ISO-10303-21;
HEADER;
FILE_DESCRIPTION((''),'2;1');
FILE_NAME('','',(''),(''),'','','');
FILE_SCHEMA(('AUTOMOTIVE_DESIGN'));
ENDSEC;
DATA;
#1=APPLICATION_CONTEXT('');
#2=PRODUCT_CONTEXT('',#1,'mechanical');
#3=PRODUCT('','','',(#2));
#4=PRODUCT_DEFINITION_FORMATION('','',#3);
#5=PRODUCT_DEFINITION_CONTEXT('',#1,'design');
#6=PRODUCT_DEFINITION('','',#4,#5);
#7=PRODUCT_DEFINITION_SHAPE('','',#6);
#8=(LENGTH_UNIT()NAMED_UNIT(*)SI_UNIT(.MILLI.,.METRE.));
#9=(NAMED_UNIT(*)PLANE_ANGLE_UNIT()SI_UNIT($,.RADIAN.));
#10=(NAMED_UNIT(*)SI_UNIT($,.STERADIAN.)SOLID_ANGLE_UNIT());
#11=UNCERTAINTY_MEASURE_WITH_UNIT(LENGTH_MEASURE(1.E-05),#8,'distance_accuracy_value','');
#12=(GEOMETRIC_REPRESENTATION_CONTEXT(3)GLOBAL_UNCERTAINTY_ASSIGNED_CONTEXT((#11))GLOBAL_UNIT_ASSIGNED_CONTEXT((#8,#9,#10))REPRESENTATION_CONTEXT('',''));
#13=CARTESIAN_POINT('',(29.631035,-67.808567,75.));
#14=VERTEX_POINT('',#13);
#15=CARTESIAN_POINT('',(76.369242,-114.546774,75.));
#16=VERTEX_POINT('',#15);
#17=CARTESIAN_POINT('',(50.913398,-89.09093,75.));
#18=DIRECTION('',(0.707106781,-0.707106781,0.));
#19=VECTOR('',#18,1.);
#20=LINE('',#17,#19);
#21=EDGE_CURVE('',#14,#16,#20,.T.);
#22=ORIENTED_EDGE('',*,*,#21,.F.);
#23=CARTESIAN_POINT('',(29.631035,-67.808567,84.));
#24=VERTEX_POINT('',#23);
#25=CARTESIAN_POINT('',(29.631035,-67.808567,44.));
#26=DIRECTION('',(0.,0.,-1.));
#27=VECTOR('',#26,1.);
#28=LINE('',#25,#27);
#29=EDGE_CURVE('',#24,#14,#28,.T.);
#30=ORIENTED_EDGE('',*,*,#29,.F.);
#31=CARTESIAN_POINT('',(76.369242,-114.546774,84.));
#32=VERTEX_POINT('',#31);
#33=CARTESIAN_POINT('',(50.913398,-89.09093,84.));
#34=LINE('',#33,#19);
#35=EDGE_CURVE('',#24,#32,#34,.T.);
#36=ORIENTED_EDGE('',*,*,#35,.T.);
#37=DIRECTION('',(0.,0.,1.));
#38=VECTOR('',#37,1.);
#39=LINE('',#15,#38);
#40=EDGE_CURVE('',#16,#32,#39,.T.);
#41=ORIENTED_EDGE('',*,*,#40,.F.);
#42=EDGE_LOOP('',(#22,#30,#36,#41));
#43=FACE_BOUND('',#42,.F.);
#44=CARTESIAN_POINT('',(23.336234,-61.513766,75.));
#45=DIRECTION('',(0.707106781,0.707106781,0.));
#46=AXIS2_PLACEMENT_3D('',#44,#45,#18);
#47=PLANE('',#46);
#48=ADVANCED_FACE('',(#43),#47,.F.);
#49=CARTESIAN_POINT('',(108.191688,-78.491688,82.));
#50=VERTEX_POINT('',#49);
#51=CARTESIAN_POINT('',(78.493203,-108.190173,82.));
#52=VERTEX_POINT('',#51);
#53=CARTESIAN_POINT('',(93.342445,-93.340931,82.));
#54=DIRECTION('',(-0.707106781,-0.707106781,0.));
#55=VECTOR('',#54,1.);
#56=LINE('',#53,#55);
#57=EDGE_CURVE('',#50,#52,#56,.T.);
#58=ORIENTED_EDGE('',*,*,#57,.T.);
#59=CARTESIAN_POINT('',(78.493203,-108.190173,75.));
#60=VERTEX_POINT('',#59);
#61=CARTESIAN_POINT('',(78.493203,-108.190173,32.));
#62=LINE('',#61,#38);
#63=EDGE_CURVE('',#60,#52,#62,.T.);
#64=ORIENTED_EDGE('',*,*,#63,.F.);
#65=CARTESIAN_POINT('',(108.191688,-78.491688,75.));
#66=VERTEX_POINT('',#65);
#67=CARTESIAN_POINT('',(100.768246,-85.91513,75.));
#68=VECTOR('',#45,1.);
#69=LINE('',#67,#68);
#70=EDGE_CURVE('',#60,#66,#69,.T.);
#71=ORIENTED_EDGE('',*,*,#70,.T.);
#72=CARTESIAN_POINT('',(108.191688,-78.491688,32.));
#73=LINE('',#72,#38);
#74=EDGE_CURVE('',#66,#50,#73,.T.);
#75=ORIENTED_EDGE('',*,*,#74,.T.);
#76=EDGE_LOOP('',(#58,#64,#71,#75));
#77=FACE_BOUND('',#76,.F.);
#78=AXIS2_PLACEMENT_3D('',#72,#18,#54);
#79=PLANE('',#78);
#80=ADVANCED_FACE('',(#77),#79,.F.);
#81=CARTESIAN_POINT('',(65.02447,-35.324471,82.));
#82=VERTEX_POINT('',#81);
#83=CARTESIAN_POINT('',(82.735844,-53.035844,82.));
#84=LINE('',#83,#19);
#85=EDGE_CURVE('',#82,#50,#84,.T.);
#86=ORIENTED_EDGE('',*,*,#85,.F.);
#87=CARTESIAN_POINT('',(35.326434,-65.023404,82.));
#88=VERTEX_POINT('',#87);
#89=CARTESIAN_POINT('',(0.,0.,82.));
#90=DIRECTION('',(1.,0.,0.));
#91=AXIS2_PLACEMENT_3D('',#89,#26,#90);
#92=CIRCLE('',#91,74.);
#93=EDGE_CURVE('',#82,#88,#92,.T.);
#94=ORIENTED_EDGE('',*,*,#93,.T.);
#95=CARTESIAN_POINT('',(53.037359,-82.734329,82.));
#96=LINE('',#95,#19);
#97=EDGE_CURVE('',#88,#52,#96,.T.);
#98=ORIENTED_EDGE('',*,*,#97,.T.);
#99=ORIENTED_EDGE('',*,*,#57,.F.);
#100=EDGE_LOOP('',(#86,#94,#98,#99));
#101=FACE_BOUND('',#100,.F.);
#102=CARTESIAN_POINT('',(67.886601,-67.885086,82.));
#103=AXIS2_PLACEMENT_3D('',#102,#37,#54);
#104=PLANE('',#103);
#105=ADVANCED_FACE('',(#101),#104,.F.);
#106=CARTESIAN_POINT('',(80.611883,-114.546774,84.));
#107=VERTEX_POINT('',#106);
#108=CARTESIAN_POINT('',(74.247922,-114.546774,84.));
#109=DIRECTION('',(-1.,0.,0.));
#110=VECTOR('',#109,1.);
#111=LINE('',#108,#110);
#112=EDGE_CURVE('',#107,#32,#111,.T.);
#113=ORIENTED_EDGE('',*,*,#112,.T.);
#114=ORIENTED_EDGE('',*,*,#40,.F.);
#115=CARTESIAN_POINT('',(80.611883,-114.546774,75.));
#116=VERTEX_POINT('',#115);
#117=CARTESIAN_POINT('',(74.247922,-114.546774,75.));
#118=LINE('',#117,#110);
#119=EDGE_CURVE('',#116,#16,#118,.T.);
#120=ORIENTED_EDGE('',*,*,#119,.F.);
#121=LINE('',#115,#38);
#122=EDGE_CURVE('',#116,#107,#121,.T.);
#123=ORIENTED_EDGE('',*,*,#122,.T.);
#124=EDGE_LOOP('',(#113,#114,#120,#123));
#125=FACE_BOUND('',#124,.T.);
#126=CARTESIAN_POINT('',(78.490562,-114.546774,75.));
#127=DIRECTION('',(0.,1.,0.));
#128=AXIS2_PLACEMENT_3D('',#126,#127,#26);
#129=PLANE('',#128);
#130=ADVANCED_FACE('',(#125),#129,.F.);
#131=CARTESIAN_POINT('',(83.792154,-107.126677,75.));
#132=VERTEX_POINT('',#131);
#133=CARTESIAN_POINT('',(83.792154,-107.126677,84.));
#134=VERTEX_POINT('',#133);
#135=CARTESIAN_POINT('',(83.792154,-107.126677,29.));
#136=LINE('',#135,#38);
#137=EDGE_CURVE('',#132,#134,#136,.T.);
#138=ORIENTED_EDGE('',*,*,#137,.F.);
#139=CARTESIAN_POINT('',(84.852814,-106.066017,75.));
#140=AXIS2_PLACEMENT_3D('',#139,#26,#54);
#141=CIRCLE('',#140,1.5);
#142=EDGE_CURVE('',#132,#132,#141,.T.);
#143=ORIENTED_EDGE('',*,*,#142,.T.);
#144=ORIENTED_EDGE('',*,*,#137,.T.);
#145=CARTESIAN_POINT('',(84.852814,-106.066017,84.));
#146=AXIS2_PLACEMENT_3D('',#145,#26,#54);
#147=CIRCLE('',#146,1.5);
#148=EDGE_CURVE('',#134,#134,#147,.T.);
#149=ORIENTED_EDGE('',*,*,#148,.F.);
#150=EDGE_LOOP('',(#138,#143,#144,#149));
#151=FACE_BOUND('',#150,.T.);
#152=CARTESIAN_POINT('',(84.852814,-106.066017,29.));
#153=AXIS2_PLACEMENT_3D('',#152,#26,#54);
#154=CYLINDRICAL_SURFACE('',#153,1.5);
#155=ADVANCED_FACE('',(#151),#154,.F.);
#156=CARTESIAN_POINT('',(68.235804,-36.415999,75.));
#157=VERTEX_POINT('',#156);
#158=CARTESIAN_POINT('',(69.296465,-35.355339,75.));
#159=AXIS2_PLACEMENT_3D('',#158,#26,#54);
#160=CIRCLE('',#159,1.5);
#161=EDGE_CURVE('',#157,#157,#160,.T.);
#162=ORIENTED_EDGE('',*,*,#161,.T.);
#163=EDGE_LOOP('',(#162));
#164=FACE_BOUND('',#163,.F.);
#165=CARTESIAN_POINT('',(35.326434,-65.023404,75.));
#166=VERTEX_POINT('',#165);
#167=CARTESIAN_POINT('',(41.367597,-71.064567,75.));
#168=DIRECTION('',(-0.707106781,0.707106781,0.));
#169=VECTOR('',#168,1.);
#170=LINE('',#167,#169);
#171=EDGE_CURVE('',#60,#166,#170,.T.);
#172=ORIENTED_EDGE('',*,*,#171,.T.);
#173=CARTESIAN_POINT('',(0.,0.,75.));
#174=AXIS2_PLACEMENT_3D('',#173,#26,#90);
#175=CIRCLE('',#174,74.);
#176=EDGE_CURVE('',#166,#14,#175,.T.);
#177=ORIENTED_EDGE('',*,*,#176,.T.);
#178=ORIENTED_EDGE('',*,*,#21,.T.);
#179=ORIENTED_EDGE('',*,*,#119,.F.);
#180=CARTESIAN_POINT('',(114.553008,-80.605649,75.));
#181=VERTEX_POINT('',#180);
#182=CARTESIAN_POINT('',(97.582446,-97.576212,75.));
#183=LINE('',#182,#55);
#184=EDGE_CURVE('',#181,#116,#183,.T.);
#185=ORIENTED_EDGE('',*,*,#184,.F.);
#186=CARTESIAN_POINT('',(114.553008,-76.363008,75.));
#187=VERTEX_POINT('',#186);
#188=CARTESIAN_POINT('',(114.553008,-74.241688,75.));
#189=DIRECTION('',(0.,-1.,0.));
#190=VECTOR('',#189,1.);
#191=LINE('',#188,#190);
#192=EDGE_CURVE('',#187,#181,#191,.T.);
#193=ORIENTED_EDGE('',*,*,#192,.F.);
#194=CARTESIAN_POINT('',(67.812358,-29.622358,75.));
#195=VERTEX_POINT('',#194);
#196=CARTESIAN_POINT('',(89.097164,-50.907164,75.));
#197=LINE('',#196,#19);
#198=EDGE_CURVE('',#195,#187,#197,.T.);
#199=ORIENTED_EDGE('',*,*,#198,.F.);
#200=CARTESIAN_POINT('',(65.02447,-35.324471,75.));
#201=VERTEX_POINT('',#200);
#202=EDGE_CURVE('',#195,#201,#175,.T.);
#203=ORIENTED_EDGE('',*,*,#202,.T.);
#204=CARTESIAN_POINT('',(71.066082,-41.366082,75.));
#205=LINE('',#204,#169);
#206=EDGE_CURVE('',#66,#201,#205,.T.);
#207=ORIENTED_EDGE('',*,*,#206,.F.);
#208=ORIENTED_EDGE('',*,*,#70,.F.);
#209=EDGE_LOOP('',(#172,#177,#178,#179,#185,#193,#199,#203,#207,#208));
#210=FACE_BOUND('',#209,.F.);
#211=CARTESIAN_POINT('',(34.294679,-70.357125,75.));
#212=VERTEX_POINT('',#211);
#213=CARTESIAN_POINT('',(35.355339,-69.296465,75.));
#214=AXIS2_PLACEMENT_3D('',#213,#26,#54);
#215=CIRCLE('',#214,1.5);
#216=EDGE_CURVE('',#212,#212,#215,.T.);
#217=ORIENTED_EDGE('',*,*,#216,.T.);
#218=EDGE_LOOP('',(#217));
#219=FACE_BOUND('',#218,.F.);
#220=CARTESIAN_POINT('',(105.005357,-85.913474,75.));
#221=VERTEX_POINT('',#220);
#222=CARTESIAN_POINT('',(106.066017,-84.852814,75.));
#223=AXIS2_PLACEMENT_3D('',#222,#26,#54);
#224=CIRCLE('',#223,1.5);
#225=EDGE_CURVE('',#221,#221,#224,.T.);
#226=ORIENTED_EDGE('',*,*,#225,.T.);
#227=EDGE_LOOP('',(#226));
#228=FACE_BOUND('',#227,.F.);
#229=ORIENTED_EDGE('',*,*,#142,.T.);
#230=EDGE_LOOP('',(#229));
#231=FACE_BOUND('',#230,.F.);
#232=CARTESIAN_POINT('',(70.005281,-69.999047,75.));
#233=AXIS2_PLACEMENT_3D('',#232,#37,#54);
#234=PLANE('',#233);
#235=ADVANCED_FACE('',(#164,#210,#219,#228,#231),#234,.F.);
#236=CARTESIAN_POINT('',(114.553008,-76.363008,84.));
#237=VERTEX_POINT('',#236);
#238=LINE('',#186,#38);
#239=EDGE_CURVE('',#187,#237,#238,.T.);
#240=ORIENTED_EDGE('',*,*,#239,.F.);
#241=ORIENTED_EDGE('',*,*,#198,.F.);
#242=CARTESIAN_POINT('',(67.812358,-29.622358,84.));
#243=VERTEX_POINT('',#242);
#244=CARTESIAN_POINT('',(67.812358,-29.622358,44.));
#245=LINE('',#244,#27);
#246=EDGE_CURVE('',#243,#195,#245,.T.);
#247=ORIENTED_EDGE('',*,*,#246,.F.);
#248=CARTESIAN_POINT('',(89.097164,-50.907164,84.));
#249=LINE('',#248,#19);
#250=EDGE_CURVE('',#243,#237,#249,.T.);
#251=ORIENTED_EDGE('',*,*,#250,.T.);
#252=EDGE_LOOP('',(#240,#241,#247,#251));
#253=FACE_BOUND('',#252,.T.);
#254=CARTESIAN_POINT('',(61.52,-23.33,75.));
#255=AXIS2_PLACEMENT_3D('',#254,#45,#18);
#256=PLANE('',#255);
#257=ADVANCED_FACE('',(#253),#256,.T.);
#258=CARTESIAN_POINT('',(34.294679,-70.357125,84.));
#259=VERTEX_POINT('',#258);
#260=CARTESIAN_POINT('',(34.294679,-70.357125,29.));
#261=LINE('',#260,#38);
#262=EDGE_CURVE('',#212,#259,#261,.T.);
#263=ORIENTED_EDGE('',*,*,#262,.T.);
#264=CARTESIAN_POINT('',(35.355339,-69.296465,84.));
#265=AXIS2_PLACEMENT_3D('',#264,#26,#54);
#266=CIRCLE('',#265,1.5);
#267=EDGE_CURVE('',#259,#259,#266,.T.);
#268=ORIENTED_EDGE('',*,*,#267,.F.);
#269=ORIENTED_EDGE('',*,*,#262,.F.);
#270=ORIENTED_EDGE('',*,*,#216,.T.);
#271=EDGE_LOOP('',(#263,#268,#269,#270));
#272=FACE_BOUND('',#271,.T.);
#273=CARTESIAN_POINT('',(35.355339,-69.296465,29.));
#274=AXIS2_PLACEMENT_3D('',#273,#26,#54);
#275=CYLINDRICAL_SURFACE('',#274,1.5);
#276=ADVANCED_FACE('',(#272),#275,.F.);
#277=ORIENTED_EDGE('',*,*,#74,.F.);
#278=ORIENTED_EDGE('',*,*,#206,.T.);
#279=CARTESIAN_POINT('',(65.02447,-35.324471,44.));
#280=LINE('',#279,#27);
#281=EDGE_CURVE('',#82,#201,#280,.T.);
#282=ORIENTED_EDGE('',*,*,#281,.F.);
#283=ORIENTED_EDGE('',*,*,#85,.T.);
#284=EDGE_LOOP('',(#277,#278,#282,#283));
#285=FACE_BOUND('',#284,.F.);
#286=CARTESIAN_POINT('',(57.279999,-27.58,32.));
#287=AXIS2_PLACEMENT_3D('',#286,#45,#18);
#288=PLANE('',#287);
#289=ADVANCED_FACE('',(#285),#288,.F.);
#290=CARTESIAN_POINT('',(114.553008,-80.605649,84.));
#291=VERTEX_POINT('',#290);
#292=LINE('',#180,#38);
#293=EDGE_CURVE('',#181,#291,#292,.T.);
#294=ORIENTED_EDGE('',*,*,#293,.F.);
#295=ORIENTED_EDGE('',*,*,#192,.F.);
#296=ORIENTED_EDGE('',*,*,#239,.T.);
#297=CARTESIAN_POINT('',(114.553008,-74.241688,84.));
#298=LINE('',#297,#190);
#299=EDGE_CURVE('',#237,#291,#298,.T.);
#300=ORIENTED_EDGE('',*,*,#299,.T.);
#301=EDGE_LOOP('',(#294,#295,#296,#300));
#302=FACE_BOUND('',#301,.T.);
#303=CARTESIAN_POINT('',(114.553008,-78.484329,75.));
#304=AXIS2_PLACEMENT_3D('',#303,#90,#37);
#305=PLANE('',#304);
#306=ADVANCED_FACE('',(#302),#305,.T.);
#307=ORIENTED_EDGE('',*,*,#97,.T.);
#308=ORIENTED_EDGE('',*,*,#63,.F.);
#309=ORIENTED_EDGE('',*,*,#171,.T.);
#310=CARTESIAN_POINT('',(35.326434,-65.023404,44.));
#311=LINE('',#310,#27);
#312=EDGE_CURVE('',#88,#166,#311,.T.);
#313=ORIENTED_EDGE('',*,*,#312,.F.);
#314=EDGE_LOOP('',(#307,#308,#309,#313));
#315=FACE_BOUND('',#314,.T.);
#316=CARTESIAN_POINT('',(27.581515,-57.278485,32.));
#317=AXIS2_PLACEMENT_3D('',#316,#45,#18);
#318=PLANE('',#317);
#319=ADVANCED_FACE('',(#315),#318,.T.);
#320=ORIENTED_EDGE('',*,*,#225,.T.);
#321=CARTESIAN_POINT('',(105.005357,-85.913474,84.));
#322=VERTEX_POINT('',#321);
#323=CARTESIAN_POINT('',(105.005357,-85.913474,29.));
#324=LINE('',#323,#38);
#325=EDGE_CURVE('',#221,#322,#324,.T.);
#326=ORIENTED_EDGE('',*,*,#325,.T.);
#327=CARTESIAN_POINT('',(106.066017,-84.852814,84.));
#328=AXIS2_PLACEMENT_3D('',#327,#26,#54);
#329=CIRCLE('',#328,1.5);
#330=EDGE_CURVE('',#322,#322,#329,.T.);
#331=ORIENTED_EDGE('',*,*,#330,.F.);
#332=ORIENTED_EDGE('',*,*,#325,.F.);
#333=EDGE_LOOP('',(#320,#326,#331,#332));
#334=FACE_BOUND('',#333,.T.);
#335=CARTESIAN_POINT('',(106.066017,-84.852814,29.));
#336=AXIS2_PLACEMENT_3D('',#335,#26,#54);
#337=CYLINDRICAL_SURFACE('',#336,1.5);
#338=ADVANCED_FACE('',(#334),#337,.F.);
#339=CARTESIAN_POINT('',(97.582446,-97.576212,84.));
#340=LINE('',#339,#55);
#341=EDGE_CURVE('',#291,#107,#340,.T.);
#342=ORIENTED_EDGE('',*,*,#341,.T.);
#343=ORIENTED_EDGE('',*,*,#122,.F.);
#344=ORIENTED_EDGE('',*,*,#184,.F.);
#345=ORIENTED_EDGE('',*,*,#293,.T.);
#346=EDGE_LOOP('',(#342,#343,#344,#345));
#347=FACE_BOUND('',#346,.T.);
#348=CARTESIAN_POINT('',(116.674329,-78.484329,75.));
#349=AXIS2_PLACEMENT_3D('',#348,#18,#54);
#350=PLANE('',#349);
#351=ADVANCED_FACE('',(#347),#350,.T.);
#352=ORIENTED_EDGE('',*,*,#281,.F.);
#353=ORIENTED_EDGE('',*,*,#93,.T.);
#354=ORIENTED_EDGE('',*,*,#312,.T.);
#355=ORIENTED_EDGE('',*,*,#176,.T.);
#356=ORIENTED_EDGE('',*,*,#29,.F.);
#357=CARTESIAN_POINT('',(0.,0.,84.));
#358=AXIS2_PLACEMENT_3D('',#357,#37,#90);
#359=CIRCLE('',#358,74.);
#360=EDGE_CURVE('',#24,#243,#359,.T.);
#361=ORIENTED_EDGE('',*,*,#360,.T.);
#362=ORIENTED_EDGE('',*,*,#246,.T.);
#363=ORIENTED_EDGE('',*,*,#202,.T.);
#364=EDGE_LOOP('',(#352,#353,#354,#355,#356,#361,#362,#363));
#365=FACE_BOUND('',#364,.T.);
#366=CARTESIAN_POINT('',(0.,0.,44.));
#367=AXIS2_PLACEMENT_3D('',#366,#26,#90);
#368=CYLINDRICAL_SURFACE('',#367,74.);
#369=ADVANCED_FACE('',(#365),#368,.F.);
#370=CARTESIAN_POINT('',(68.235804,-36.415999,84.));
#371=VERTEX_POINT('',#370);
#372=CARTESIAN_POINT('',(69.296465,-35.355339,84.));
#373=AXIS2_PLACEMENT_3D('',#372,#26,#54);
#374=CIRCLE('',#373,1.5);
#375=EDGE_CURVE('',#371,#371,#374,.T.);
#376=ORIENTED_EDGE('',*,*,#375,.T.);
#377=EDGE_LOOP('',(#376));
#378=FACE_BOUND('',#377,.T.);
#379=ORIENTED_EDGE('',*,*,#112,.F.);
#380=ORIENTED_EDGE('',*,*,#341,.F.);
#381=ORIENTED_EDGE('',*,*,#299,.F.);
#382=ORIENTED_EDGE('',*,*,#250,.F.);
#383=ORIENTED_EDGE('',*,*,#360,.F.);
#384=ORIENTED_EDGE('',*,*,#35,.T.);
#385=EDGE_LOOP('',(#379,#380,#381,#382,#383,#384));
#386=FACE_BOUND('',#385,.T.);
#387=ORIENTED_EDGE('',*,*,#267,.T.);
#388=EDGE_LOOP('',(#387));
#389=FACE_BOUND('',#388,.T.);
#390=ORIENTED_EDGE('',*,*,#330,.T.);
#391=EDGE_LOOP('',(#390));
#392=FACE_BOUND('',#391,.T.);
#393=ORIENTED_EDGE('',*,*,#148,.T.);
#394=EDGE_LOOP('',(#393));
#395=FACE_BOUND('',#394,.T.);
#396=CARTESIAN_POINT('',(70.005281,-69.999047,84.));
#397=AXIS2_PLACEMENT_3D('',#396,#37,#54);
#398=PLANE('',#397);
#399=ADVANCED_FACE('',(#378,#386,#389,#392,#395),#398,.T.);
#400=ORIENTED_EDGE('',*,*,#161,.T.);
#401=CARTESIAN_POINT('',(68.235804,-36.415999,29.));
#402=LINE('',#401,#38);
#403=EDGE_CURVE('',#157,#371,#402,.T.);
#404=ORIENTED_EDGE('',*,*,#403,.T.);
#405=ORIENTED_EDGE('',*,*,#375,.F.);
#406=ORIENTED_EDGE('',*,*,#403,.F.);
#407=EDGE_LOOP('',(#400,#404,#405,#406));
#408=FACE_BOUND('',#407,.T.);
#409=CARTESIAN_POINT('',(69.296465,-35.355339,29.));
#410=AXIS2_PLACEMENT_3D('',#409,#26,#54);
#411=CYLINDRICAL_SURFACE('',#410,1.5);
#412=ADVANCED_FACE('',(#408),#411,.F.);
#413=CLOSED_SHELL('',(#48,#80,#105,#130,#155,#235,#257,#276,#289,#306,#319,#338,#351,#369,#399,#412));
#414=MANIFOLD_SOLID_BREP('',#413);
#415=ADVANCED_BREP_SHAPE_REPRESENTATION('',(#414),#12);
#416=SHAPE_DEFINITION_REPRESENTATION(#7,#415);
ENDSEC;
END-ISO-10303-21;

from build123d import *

# Parameters (mm, degrees)
CYLINDER2005_R               = 1.5
CYLINDER2005_DEPTH           = 60
CYLINDER2002_R               = 1.5
CYLINDER2002_DEPTH           = 60
CYLINDER2003_R               = 1.5
CYLINDER2003_DEPTH           = 60
CYLINDER2004_R               = 1.5
CYLINDER2004_DEPTH           = 60
COMPOUND1081_PLACEMENT_ANGLE = 225
CYLINDER1969_R               = 74
CYLINDER1969_DEPTH           = 40
BOX980_W                     = 42
BOX980_H                     = 72
BOX980_DEPTH                 = 50
COMPOUND1061_PLACEMENT_ANGLE = 225
BOX981_W                     = 54
BOX981_H                     = 78
BOX981_DEPTH                 = 9
COMPOUND1062_PLACEMENT_ANGLE = 225
CHAMFER072_SIZE              = 3


with BuildPart() as v_lec2005:
    # Cylinder2005 → Cylinder2005 (new body)
    with BuildSketch(Plane(origin=(-24, 74, -80), x_dir=(1, 0, 0), z_dir=(0, 0, 1))):
        Circle(CYLINDER2005_R)
    extrude(amount=CYLINDER2005_DEPTH)


with BuildPart() as v_lec2002:
    # Cylinder2002 → Cylinder2002 (new body)
    with BuildSketch(Plane(origin=(-15, 135, -80), x_dir=(1, 0, 0), z_dir=(0, 0, 1))):
        Circle(CYLINDER2002_R)
    extrude(amount=CYLINDER2002_DEPTH)


with BuildPart() as v_lec2003:
    # Cylinder2003 → Cylinder2003 (new body)
    with BuildSketch(Plane(origin=(15, 135, -80), x_dir=(1, 0, 0), z_dir=(0, 0, 1))):
        Circle(CYLINDER2003_R)
    extrude(amount=CYLINDER2003_DEPTH)


with BuildPart() as compound1081:
    # Cylinder2004 → Cylinder2004 (new body)
    with BuildSketch(Plane(origin=(24, 74, -80), x_dir=(1, 0, 0), z_dir=(0, 0, 1))):
        Circle(CYLINDER2004_R)
    extrude(amount=CYLINDER2004_DEPTH)

    # Compound1081: union Válec2005, Válec2002, Válec2003
    add(v_lec2005.part)
    add(v_lec2002.part)
    add(v_lec2003.part)


with BuildPart() as compound1081_1:
    # Compound1081 placement: moved
    add(compound1081.part.moved(Location((0, 0, 109))).rotate(Axis((0, 0, 109), (0, 0, 1)), COMPOUND1081_PLACEMENT_ANGLE))


with BuildPart() as v_lec1969:
    # Cylinder1969 → Cylinder1969 (new body)
    with BuildSketch(Plane.XY.offset(44)):
        Circle(CYLINDER1969_R)
    extrude(amount=CYLINDER1969_DEPTH)


with BuildPart() as compound1061:
    # Box980 → Box980 (new body)
    with BuildSketch(Plane(origin=(-21.001071, 60.005081, 31), x_dir=(1, 0, 0), z_dir=(0, 0, 1))):
        with Locations((21, 36)):
            Rectangle(BOX980_W, BOX980_H)
    extrude(amount=BOX980_DEPTH)


with BuildPart() as compound1061_1:
    # Compound1061 placement: moved
    add(compound1061.part.moved(Location((0, 0, 1))).rotate(Axis((0, 0, 1), (0, 0, 1)), COMPOUND1061_PLACEMENT_ANGLE))


with BuildPart() as cut677:
    # Box981 → Box981 (new body)
    with BuildSketch(Plane(origin=(-27.004408, 59.99801, 75), x_dir=(1, 0, 0), z_dir=(0, 0, 1))):
        with Locations((27, 39)):
            Rectangle(BOX981_W, BOX981_H)
    extrude(amount=BOX981_DEPTH)


with BuildPart() as cut677_1:
    # Compound1062 placement: moved
    add(cut677.part.rotate(Axis((0, 0, 0), (0, 0, 1)), COMPOUND1062_PLACEMENT_ANGLE))

    # Cut662: cut Compound1061
    add(compound1061_1.part, mode=Mode.SUBTRACT)

    # Cut663: cut Válec1969
    add(v_lec1969.part, mode=Mode.SUBTRACT)

    # Chamfer072
    chamfer072_edges = [cut677_1.edges().sort_by_distance(p)[0] for p in [
        (116.674329, -78.484329, 79.5),
        (78.490563, -116.668095, 79.5),
    ]]
    chamfer(chamfer072_edges, length=CHAMFER072_SIZE)

    # Cut677: cut Compound1081
    add(compound1081_1.part, mode=Mode.SUBTRACT)


solid = cut677_1.part
